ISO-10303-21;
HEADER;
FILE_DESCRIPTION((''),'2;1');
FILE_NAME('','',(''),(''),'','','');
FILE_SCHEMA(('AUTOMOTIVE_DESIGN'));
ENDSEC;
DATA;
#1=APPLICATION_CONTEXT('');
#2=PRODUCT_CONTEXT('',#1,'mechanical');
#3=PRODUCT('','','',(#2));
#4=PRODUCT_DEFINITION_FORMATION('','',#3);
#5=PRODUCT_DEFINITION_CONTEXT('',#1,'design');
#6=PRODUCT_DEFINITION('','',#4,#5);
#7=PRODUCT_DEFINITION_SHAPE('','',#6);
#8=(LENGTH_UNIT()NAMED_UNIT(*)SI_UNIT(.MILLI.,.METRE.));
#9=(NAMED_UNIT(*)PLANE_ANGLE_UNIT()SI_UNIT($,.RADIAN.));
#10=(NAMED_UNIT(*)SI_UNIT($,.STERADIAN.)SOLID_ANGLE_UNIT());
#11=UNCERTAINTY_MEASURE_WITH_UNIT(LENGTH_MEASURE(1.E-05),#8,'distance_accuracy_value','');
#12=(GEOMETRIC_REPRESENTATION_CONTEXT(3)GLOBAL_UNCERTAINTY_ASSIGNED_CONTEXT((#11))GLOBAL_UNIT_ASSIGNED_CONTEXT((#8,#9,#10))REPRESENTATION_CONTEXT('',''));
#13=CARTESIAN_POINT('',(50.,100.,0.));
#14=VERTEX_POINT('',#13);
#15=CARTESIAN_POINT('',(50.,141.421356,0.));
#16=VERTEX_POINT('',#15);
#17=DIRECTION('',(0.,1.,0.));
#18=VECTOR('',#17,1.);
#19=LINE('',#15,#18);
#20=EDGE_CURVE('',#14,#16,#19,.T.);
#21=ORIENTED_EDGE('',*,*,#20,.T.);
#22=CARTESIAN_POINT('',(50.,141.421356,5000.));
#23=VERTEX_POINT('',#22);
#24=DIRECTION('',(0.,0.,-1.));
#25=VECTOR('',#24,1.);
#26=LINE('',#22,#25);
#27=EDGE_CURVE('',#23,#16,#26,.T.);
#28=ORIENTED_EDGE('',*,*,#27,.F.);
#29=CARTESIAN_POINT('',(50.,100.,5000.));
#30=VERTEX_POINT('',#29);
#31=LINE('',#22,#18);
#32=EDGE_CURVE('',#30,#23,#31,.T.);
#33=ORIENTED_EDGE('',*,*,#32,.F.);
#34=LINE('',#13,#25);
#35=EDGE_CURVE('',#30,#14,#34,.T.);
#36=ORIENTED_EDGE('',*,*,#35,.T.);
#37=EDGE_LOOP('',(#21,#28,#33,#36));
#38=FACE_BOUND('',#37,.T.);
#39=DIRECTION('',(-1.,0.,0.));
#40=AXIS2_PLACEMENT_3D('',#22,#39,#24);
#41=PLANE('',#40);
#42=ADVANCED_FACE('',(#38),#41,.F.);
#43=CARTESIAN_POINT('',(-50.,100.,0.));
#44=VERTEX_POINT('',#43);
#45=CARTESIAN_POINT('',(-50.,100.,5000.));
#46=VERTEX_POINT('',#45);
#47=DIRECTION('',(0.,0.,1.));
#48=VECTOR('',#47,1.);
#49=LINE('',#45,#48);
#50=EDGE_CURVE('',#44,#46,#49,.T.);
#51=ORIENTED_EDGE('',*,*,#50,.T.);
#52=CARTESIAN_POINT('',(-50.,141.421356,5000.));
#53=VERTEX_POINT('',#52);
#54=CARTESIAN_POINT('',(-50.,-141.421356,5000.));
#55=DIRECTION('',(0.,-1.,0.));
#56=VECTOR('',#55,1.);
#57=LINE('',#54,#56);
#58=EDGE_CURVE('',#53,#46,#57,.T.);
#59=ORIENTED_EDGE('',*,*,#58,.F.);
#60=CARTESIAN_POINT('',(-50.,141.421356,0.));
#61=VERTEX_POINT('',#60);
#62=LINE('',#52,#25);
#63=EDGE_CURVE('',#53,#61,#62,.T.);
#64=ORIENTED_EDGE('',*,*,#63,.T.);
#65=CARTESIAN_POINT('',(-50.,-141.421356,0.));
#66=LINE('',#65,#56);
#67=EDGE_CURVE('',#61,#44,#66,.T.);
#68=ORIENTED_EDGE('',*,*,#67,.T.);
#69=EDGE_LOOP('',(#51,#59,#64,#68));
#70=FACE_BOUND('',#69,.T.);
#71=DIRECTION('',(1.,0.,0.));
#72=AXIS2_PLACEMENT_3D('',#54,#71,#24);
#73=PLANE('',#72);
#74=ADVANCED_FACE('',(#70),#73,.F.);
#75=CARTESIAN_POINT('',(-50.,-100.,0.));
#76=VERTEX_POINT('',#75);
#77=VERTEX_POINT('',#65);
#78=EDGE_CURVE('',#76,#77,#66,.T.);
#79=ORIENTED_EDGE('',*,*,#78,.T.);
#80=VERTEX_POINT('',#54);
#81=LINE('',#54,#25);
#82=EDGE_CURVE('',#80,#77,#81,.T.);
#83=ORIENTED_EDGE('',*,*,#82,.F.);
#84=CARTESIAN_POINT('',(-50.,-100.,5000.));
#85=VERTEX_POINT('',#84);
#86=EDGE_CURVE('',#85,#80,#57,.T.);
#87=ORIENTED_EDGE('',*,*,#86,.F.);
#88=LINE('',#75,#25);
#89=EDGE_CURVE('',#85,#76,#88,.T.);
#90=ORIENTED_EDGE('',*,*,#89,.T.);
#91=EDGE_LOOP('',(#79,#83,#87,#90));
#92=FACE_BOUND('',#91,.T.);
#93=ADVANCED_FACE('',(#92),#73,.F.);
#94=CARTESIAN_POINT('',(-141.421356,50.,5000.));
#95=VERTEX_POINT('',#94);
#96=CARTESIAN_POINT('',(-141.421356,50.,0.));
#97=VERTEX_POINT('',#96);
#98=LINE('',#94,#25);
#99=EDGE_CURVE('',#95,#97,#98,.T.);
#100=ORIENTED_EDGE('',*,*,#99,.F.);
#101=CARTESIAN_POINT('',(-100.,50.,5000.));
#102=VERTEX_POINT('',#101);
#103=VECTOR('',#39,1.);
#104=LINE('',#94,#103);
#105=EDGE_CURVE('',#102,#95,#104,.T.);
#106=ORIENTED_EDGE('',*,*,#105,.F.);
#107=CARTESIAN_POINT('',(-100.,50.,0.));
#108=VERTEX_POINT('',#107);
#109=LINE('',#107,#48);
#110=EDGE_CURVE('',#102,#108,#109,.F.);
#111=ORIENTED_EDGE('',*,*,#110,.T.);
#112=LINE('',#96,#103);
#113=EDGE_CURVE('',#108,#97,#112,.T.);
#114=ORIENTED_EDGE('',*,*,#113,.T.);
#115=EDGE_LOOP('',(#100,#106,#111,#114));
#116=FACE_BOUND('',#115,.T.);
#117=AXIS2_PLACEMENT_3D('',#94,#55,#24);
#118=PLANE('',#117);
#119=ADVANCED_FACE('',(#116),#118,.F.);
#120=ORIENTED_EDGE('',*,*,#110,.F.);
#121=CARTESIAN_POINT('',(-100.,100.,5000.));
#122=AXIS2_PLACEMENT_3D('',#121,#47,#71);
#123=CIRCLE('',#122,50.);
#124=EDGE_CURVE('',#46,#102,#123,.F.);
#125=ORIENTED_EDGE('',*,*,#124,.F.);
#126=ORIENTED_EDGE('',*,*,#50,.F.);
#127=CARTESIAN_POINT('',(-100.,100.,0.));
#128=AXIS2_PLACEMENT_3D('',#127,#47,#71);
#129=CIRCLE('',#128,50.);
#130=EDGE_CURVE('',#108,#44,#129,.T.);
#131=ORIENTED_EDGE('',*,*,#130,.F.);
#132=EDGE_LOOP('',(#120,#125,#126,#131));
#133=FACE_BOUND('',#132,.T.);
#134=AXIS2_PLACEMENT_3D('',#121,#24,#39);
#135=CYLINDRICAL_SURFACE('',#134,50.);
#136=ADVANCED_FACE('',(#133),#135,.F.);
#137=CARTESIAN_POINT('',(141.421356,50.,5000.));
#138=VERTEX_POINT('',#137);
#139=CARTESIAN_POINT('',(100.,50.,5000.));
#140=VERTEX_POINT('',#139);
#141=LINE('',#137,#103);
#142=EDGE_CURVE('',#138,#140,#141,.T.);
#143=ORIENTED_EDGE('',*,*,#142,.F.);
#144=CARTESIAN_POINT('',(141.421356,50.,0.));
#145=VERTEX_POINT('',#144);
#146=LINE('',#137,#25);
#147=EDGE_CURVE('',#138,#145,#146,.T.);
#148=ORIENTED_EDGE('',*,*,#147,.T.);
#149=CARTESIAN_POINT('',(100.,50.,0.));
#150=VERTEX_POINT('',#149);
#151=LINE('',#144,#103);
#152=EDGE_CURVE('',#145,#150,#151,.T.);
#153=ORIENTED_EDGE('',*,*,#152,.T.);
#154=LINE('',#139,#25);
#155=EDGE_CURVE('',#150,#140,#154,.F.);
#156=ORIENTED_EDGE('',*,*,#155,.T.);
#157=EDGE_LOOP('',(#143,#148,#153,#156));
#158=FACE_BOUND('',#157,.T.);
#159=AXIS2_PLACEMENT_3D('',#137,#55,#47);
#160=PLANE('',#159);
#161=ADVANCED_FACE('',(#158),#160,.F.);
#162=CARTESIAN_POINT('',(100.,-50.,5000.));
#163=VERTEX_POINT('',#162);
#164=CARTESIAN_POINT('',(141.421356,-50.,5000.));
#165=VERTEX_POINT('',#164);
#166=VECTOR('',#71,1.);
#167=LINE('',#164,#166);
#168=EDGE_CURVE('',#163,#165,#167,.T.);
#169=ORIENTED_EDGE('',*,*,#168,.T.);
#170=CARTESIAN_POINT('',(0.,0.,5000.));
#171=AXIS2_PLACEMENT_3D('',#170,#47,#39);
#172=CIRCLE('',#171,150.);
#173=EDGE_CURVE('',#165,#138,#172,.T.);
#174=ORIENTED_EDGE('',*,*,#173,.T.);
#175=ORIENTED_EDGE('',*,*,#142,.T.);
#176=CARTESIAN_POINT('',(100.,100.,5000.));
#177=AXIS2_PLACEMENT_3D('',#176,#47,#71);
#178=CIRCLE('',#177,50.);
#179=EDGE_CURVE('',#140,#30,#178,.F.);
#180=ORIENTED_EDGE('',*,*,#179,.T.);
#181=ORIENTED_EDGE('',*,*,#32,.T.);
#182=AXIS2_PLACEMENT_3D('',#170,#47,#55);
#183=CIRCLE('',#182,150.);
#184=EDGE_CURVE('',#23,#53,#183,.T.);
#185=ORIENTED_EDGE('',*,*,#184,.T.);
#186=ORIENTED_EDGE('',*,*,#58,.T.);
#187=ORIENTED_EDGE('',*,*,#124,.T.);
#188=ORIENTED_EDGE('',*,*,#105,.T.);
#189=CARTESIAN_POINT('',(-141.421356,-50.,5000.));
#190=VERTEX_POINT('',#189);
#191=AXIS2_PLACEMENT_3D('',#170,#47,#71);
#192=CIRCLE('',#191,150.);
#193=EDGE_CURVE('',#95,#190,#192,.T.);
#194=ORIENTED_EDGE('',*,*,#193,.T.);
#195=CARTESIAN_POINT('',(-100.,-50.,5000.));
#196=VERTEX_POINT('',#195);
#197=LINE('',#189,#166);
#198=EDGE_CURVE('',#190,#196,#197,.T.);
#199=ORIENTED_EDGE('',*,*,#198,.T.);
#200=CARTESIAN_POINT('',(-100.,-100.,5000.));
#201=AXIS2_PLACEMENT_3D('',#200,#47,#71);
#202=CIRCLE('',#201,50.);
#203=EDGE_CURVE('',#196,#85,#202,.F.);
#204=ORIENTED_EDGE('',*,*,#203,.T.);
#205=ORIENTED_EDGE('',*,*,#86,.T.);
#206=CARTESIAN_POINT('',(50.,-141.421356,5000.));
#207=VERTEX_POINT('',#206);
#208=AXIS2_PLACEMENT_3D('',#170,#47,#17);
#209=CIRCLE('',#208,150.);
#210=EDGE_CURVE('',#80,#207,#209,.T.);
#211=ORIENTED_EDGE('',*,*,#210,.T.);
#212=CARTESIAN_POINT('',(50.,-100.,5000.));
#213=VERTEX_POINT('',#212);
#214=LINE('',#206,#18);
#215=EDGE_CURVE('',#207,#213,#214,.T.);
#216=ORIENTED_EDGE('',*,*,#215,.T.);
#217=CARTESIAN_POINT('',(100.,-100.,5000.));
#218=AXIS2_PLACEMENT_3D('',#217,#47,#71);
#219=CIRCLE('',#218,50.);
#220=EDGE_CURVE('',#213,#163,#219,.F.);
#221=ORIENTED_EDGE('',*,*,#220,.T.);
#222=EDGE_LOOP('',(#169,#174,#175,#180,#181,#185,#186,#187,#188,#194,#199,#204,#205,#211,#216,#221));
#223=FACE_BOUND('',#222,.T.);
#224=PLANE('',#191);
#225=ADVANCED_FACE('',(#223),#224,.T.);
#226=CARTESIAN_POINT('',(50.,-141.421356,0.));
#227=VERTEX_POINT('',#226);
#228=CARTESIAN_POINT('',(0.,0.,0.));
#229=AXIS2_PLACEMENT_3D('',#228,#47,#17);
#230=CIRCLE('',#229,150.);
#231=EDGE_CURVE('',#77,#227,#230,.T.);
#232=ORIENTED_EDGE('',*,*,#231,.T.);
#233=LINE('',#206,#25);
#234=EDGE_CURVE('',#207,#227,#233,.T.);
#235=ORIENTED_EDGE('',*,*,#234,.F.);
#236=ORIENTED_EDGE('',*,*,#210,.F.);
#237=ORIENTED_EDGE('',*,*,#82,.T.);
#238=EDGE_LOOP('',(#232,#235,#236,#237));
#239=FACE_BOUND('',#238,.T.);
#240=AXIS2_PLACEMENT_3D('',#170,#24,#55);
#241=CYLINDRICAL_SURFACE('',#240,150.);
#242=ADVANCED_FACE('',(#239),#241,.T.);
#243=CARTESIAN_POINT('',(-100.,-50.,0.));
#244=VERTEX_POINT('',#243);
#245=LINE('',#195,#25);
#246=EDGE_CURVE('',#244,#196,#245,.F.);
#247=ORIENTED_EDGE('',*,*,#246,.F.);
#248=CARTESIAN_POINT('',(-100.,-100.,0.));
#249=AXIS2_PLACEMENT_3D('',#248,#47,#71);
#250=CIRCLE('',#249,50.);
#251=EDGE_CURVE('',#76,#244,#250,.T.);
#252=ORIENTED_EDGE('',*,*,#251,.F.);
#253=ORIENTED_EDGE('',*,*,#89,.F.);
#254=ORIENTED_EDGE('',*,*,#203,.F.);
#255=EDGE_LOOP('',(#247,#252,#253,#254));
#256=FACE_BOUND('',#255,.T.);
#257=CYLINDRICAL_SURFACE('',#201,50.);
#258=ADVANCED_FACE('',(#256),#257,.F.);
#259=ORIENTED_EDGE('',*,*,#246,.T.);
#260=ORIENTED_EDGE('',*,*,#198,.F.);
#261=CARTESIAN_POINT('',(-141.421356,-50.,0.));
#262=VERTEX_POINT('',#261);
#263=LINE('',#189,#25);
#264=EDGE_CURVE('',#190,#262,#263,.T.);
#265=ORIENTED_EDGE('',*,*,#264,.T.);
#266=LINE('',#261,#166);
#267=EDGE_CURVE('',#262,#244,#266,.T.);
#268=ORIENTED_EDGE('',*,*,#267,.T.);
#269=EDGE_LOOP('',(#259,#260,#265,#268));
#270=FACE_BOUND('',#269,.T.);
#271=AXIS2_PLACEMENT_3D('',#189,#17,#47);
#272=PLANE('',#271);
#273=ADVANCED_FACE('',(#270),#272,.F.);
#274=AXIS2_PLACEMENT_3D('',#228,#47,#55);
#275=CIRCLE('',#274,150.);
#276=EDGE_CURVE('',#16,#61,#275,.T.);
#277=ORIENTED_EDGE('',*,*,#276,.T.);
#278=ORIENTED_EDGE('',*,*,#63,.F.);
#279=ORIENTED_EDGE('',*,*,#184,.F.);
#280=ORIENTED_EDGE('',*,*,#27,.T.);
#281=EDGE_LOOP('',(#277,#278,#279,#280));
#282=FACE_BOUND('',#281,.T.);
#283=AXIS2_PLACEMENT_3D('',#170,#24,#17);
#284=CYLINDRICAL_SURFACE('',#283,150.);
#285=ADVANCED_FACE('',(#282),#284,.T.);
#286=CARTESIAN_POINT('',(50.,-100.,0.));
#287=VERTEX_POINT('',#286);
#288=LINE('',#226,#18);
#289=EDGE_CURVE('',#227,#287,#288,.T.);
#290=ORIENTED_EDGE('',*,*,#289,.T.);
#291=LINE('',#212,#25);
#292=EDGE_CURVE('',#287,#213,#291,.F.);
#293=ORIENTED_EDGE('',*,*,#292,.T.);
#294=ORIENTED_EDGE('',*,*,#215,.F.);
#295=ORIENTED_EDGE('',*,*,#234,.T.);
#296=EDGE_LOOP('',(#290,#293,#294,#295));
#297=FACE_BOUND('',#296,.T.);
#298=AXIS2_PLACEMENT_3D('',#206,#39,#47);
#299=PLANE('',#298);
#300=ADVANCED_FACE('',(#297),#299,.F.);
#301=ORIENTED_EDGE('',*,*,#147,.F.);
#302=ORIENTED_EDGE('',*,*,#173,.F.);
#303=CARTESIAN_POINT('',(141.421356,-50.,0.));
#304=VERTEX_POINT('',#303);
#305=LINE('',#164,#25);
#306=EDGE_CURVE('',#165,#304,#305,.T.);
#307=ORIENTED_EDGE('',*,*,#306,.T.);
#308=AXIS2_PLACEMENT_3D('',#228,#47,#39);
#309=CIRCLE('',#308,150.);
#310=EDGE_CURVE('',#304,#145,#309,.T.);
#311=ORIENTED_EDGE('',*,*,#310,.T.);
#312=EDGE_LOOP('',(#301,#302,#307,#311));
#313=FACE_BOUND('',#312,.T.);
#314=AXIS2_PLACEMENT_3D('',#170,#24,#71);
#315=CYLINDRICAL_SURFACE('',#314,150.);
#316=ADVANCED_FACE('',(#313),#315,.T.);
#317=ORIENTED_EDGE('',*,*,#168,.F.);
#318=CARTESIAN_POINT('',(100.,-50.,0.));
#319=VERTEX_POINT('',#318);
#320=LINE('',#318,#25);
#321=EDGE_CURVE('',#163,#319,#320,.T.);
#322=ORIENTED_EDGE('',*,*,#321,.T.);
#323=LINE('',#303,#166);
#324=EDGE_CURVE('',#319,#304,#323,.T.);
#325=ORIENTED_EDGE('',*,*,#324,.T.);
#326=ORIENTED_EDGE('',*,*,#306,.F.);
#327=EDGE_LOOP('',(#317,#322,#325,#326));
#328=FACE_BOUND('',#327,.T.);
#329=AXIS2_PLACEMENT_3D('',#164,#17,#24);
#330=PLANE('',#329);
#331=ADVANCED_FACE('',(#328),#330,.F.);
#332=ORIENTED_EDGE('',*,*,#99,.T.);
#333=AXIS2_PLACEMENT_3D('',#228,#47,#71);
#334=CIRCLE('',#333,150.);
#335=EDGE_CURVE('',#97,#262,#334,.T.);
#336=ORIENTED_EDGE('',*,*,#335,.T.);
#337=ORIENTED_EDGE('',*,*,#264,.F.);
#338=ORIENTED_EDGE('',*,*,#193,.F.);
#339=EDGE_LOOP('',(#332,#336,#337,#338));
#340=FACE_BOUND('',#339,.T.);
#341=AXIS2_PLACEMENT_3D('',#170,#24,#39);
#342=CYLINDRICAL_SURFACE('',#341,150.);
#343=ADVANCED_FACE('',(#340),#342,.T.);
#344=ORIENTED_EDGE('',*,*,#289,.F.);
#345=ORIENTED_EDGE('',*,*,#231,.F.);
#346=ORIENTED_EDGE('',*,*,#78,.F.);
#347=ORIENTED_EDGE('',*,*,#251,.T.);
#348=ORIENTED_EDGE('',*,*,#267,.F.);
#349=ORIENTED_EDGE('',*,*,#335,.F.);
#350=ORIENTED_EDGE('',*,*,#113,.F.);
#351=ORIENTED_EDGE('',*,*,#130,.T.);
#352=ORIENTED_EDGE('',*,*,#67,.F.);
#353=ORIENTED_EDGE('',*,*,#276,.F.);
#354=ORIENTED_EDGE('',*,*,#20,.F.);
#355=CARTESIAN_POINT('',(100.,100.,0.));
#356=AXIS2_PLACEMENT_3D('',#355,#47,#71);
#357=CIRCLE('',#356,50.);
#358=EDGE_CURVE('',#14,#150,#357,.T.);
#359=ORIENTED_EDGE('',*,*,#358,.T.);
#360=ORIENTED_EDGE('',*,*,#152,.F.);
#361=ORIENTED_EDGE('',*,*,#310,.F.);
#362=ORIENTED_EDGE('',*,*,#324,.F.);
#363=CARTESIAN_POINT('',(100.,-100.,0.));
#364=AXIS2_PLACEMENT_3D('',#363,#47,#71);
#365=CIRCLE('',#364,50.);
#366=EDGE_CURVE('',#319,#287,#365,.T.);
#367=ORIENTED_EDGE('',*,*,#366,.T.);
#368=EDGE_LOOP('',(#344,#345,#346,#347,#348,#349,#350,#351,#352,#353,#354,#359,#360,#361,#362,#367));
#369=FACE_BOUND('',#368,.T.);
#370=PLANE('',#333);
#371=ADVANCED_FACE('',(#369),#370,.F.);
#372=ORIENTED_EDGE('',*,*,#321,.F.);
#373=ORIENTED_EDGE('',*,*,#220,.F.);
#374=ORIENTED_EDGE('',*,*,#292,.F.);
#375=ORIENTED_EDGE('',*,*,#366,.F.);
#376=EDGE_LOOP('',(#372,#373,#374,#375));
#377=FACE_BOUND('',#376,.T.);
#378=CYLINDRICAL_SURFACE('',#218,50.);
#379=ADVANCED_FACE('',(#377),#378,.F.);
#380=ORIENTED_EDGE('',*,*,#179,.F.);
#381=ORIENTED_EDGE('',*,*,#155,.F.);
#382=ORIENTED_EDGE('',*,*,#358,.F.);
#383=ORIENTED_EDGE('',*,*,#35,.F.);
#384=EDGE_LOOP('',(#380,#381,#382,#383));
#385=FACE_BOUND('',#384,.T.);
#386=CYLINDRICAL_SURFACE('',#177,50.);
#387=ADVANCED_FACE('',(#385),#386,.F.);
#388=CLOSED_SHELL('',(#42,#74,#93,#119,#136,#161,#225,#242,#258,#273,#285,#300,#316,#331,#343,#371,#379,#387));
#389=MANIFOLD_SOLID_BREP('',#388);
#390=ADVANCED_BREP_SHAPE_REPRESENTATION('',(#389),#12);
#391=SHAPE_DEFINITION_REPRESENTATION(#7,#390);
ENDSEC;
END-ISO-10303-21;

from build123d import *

# Parameters (mm, degrees)
BOSS_EXTRUDE1_DEPTH = 5000
CIRPATTERN1_COUNT   = 4
FILLET1_R           = 50


with BuildPart() as part:
    # Sketch1 → Boss-Extrude1 (new body)
    with BuildSketch(Plane(origin=(0, 0, 0), x_dir=(0, 1, 0), z_dir=(0, 0, 1))):
        with BuildLine():
            Line((-50, 141.421356237), (-50, 0))
            Line((-50, 0), (50, 0))
            Line((50, 0), (50, 141.421356237))
            ThreePointArc((50, 141.421356237), (0, 150), (-50, 141.421356237))
        make_face()
    extrude(amount=BOSS_EXTRUDE1_DEPTH)


with BuildPart() as cirpattern1_1:
    # CirPattern1: pattern copy
    add(part.part.rotate(Axis((0, 0, -10), (0, 0, 1)), 1 * 360 / CIRPATTERN1_COUNT))


with BuildPart() as cirpattern1_2:
    # CirPattern1: pattern copy
    add(part.part.rotate(Axis((0, 0, -10), (0, 0, 1)), 2 * 360 / CIRPATTERN1_COUNT))


with BuildPart() as cirpattern1_3:
    # CirPattern1: pattern copy
    add(part.part.rotate(Axis((0, 0, -10), (0, 0, 1)), 3 * 360 / CIRPATTERN1_COUNT))


with BuildPart() as part_1:
    add(part.part)

    # Combine1: union CirPattern1_1, CirPattern1_2, CirPattern1_3
    add(cirpattern1_1.part)
    add(cirpattern1_2.part)
    add(cirpattern1_3.part)

    # Fillet1
    fillet1_edges = [part_1.edges().sort_by_distance(p)[0] for p in [
        (50, 50, 2500),
        (50, -50, 2500),
        (-50, 50, 2500),
        (-50, -50, 2500),
    ]]
    fillet(fillet1_edges, radius=FILLET1_R)


solid = part_1.part
